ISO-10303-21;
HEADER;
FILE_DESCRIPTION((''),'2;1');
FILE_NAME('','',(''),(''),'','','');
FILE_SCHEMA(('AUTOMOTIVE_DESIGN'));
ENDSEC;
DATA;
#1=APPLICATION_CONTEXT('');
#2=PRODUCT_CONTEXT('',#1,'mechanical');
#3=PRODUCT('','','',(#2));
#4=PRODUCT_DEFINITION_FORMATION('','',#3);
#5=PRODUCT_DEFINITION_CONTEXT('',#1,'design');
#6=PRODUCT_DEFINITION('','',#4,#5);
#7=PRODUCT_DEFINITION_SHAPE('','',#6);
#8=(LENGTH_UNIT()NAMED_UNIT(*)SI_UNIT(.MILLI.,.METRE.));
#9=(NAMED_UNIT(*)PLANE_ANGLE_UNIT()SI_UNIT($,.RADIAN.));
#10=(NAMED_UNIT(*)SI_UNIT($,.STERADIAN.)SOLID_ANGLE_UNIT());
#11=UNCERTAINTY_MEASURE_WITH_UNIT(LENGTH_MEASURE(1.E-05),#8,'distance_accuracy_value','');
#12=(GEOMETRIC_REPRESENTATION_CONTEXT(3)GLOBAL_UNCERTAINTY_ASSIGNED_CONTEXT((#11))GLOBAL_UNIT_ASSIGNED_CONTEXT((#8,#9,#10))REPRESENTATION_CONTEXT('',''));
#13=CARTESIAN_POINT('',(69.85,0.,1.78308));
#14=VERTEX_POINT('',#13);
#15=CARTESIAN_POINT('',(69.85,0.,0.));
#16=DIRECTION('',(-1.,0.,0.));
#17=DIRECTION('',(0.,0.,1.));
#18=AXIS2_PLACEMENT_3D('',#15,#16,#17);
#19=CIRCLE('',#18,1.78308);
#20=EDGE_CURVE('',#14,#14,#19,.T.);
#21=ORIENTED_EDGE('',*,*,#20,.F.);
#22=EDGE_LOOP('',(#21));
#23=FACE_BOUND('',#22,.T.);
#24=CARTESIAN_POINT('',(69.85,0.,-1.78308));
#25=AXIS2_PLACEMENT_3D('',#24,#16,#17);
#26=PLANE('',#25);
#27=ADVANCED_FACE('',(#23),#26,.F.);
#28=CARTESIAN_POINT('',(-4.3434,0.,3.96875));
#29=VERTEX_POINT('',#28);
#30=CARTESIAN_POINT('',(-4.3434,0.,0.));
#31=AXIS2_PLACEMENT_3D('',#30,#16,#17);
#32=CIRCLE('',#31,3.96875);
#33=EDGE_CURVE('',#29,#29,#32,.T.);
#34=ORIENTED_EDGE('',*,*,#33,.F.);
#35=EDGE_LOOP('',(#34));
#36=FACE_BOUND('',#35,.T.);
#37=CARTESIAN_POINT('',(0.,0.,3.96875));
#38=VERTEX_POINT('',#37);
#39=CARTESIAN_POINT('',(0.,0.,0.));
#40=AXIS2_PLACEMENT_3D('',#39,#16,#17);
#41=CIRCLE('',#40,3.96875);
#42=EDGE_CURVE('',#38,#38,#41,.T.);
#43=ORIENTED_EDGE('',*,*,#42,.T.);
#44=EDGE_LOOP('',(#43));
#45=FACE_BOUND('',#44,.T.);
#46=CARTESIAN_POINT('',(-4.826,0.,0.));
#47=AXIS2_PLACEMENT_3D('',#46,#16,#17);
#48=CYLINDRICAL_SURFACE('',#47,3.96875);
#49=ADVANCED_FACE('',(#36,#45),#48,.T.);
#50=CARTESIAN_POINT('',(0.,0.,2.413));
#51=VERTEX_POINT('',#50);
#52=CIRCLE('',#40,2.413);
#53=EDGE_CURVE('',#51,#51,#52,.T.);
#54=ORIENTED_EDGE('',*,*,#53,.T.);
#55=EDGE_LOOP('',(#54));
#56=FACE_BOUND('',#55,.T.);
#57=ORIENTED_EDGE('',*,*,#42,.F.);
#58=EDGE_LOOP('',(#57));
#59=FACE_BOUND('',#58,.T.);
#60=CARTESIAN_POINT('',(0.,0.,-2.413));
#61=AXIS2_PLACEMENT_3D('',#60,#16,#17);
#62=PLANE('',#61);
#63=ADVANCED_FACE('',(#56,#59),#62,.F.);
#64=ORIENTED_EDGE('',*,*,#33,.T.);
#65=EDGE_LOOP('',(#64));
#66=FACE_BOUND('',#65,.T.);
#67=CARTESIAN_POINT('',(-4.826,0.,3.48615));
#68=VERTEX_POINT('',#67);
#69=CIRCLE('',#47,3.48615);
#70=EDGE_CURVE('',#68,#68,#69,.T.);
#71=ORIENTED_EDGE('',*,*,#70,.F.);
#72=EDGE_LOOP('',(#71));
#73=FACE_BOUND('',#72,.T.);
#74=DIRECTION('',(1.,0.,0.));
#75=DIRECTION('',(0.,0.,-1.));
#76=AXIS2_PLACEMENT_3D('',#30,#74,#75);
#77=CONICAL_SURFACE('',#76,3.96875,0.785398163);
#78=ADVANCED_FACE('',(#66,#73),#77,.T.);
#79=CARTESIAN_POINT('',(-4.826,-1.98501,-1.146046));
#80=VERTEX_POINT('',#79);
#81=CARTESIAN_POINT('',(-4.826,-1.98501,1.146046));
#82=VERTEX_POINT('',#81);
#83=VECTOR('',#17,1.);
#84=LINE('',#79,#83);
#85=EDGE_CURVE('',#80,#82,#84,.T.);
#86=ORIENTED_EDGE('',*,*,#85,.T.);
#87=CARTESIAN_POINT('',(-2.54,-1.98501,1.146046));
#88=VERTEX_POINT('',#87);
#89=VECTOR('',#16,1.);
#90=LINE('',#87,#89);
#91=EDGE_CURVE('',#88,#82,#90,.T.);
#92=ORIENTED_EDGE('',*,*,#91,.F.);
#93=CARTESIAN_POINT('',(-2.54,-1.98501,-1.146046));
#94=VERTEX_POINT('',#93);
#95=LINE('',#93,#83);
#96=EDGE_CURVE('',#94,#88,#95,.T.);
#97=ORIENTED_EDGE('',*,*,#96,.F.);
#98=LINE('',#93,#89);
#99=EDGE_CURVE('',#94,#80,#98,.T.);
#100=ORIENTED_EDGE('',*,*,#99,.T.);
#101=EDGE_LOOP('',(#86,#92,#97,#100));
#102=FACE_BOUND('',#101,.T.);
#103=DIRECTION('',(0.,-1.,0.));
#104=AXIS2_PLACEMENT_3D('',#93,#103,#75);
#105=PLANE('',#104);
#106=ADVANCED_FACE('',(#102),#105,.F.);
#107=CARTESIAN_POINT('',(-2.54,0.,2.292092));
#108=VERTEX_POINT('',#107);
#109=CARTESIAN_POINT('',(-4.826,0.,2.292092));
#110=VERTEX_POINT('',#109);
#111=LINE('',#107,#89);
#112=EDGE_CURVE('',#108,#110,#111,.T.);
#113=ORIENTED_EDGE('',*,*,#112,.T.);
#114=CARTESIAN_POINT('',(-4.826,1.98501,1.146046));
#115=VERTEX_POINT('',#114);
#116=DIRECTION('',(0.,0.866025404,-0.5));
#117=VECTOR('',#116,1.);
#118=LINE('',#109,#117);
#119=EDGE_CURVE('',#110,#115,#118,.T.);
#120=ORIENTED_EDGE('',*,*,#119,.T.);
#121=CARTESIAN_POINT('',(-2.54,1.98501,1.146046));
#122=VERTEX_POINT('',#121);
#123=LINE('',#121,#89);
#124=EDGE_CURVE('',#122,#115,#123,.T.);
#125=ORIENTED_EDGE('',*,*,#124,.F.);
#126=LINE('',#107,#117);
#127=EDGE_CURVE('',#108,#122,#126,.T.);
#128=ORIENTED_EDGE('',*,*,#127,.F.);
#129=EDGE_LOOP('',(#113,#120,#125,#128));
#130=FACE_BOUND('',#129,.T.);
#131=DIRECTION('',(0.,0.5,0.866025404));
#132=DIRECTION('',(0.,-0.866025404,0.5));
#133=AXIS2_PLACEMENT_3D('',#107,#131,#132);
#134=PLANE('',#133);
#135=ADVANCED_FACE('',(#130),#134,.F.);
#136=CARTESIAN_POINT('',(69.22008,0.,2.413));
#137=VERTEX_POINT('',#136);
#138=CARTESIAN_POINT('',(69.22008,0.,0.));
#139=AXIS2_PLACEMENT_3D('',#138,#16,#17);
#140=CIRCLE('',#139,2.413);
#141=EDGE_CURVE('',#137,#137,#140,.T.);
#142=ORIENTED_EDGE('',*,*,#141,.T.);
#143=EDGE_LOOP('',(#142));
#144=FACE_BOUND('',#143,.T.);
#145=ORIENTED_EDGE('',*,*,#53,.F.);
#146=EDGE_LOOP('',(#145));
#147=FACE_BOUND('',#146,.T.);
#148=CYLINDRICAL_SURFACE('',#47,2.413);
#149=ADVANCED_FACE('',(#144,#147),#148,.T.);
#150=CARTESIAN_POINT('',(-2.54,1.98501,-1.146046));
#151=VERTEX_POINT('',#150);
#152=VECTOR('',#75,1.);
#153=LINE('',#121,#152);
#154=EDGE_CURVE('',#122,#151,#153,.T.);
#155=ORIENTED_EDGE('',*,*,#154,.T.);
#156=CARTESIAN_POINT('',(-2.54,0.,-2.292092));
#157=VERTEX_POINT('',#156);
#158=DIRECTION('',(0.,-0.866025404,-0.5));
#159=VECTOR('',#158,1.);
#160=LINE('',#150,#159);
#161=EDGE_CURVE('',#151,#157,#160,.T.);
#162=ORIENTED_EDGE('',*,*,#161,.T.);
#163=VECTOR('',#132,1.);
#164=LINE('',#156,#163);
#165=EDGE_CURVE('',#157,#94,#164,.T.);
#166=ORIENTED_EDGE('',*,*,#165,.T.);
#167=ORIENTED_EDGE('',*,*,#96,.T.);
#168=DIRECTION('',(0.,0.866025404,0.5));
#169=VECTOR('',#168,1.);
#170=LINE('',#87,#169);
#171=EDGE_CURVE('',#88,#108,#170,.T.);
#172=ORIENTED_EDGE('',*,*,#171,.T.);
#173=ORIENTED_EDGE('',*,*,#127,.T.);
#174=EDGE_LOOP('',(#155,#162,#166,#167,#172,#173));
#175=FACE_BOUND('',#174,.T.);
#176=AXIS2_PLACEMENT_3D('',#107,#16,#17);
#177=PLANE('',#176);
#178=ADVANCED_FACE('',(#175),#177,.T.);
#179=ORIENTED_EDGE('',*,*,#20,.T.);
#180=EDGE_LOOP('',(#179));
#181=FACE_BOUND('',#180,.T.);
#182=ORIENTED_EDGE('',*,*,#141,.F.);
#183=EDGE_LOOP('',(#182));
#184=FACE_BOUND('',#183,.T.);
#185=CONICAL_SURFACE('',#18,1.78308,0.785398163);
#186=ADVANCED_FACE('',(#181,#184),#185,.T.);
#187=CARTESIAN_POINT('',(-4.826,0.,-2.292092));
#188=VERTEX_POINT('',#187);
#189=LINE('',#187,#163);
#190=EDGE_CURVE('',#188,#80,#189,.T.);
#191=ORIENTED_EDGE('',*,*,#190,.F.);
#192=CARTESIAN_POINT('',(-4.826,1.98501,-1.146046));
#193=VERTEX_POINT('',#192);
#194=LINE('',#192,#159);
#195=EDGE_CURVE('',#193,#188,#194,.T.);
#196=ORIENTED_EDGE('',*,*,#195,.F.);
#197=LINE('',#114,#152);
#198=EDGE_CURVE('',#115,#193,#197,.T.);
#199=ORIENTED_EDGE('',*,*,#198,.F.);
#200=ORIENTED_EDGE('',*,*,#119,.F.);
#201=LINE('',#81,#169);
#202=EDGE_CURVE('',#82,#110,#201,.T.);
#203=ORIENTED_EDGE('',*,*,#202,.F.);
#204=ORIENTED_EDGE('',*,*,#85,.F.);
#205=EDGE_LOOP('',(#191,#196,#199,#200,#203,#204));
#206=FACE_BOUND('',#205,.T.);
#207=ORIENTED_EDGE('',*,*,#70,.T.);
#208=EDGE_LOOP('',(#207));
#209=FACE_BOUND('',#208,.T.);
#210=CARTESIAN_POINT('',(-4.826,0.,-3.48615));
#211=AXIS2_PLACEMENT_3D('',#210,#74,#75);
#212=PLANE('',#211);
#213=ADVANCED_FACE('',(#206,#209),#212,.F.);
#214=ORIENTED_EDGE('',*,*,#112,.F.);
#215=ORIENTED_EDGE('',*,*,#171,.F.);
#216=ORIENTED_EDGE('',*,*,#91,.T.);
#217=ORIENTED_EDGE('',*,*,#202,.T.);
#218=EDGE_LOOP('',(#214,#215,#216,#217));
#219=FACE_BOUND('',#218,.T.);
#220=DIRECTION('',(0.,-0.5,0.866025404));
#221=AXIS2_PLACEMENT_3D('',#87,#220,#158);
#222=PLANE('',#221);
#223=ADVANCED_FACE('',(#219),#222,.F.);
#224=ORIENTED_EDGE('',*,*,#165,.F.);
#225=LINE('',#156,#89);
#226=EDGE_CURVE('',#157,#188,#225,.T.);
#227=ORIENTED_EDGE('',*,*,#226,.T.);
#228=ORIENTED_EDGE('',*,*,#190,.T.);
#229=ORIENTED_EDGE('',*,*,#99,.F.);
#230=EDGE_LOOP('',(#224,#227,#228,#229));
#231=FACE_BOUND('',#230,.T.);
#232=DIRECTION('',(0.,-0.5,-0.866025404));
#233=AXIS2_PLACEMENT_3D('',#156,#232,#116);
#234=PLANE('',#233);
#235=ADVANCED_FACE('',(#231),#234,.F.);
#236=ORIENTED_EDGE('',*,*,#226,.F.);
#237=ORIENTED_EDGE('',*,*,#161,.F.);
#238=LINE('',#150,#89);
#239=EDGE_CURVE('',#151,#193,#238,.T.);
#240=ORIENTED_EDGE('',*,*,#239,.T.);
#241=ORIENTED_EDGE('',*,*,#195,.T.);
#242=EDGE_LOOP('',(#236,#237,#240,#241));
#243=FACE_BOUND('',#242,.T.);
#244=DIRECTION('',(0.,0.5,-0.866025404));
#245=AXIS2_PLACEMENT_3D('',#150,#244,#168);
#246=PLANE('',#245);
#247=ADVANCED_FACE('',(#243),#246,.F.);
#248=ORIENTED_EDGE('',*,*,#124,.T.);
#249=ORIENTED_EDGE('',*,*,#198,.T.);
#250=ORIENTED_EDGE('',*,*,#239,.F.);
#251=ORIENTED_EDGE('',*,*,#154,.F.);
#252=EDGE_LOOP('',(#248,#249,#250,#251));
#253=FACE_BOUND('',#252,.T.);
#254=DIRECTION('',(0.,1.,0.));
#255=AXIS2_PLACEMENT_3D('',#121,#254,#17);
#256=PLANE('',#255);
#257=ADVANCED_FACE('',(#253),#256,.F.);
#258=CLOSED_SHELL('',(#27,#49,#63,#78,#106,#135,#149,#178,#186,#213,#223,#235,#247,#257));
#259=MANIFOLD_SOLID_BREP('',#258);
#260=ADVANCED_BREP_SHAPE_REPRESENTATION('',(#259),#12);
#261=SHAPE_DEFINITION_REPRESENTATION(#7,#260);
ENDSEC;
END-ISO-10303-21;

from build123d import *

# Parameters (mm, degrees)
HEXDRIVE_DEPTH = 2.286


with BuildPart() as part:
    # BodySketch → BaseBody (revolve)
    with BuildSketch(Plane(origin=(0, 0, 0), x_dir=(1, 0, 0), z_dir=(0, 1, 0)), mode=Mode.PRIVATE) as basebody_sk:
        Polygon((0, 2.413), (0, 3.96875), (-4.3434, 3.96875), (-4.826, 3.48615), (-4.826, 0), (69.85, 0), (69.85, 1.78308), (69.22008, 2.413), align=None)
    revolve(basebody_sk.sketch.rotate(Axis((-4.826, 0, 0), (1, 0, 0)), 180), axis=Axis((-4.826, 0, 0), (1, 0, 0)))

    # DriveSketch → HexDrive (cut)
    with BuildSketch(Plane.ZY.offset(4.826)):
        Polygon((2.292092116, 0), (1.146046058, 1.98501), (-1.146046058, 1.98501), (-2.292092116, 0), (-1.146046058, -1.98501), (1.146046058, -1.98501), align=None)
    extrude(amount=-HEXDRIVE_DEPTH, mode=Mode.SUBTRACT)


solid = part.part
